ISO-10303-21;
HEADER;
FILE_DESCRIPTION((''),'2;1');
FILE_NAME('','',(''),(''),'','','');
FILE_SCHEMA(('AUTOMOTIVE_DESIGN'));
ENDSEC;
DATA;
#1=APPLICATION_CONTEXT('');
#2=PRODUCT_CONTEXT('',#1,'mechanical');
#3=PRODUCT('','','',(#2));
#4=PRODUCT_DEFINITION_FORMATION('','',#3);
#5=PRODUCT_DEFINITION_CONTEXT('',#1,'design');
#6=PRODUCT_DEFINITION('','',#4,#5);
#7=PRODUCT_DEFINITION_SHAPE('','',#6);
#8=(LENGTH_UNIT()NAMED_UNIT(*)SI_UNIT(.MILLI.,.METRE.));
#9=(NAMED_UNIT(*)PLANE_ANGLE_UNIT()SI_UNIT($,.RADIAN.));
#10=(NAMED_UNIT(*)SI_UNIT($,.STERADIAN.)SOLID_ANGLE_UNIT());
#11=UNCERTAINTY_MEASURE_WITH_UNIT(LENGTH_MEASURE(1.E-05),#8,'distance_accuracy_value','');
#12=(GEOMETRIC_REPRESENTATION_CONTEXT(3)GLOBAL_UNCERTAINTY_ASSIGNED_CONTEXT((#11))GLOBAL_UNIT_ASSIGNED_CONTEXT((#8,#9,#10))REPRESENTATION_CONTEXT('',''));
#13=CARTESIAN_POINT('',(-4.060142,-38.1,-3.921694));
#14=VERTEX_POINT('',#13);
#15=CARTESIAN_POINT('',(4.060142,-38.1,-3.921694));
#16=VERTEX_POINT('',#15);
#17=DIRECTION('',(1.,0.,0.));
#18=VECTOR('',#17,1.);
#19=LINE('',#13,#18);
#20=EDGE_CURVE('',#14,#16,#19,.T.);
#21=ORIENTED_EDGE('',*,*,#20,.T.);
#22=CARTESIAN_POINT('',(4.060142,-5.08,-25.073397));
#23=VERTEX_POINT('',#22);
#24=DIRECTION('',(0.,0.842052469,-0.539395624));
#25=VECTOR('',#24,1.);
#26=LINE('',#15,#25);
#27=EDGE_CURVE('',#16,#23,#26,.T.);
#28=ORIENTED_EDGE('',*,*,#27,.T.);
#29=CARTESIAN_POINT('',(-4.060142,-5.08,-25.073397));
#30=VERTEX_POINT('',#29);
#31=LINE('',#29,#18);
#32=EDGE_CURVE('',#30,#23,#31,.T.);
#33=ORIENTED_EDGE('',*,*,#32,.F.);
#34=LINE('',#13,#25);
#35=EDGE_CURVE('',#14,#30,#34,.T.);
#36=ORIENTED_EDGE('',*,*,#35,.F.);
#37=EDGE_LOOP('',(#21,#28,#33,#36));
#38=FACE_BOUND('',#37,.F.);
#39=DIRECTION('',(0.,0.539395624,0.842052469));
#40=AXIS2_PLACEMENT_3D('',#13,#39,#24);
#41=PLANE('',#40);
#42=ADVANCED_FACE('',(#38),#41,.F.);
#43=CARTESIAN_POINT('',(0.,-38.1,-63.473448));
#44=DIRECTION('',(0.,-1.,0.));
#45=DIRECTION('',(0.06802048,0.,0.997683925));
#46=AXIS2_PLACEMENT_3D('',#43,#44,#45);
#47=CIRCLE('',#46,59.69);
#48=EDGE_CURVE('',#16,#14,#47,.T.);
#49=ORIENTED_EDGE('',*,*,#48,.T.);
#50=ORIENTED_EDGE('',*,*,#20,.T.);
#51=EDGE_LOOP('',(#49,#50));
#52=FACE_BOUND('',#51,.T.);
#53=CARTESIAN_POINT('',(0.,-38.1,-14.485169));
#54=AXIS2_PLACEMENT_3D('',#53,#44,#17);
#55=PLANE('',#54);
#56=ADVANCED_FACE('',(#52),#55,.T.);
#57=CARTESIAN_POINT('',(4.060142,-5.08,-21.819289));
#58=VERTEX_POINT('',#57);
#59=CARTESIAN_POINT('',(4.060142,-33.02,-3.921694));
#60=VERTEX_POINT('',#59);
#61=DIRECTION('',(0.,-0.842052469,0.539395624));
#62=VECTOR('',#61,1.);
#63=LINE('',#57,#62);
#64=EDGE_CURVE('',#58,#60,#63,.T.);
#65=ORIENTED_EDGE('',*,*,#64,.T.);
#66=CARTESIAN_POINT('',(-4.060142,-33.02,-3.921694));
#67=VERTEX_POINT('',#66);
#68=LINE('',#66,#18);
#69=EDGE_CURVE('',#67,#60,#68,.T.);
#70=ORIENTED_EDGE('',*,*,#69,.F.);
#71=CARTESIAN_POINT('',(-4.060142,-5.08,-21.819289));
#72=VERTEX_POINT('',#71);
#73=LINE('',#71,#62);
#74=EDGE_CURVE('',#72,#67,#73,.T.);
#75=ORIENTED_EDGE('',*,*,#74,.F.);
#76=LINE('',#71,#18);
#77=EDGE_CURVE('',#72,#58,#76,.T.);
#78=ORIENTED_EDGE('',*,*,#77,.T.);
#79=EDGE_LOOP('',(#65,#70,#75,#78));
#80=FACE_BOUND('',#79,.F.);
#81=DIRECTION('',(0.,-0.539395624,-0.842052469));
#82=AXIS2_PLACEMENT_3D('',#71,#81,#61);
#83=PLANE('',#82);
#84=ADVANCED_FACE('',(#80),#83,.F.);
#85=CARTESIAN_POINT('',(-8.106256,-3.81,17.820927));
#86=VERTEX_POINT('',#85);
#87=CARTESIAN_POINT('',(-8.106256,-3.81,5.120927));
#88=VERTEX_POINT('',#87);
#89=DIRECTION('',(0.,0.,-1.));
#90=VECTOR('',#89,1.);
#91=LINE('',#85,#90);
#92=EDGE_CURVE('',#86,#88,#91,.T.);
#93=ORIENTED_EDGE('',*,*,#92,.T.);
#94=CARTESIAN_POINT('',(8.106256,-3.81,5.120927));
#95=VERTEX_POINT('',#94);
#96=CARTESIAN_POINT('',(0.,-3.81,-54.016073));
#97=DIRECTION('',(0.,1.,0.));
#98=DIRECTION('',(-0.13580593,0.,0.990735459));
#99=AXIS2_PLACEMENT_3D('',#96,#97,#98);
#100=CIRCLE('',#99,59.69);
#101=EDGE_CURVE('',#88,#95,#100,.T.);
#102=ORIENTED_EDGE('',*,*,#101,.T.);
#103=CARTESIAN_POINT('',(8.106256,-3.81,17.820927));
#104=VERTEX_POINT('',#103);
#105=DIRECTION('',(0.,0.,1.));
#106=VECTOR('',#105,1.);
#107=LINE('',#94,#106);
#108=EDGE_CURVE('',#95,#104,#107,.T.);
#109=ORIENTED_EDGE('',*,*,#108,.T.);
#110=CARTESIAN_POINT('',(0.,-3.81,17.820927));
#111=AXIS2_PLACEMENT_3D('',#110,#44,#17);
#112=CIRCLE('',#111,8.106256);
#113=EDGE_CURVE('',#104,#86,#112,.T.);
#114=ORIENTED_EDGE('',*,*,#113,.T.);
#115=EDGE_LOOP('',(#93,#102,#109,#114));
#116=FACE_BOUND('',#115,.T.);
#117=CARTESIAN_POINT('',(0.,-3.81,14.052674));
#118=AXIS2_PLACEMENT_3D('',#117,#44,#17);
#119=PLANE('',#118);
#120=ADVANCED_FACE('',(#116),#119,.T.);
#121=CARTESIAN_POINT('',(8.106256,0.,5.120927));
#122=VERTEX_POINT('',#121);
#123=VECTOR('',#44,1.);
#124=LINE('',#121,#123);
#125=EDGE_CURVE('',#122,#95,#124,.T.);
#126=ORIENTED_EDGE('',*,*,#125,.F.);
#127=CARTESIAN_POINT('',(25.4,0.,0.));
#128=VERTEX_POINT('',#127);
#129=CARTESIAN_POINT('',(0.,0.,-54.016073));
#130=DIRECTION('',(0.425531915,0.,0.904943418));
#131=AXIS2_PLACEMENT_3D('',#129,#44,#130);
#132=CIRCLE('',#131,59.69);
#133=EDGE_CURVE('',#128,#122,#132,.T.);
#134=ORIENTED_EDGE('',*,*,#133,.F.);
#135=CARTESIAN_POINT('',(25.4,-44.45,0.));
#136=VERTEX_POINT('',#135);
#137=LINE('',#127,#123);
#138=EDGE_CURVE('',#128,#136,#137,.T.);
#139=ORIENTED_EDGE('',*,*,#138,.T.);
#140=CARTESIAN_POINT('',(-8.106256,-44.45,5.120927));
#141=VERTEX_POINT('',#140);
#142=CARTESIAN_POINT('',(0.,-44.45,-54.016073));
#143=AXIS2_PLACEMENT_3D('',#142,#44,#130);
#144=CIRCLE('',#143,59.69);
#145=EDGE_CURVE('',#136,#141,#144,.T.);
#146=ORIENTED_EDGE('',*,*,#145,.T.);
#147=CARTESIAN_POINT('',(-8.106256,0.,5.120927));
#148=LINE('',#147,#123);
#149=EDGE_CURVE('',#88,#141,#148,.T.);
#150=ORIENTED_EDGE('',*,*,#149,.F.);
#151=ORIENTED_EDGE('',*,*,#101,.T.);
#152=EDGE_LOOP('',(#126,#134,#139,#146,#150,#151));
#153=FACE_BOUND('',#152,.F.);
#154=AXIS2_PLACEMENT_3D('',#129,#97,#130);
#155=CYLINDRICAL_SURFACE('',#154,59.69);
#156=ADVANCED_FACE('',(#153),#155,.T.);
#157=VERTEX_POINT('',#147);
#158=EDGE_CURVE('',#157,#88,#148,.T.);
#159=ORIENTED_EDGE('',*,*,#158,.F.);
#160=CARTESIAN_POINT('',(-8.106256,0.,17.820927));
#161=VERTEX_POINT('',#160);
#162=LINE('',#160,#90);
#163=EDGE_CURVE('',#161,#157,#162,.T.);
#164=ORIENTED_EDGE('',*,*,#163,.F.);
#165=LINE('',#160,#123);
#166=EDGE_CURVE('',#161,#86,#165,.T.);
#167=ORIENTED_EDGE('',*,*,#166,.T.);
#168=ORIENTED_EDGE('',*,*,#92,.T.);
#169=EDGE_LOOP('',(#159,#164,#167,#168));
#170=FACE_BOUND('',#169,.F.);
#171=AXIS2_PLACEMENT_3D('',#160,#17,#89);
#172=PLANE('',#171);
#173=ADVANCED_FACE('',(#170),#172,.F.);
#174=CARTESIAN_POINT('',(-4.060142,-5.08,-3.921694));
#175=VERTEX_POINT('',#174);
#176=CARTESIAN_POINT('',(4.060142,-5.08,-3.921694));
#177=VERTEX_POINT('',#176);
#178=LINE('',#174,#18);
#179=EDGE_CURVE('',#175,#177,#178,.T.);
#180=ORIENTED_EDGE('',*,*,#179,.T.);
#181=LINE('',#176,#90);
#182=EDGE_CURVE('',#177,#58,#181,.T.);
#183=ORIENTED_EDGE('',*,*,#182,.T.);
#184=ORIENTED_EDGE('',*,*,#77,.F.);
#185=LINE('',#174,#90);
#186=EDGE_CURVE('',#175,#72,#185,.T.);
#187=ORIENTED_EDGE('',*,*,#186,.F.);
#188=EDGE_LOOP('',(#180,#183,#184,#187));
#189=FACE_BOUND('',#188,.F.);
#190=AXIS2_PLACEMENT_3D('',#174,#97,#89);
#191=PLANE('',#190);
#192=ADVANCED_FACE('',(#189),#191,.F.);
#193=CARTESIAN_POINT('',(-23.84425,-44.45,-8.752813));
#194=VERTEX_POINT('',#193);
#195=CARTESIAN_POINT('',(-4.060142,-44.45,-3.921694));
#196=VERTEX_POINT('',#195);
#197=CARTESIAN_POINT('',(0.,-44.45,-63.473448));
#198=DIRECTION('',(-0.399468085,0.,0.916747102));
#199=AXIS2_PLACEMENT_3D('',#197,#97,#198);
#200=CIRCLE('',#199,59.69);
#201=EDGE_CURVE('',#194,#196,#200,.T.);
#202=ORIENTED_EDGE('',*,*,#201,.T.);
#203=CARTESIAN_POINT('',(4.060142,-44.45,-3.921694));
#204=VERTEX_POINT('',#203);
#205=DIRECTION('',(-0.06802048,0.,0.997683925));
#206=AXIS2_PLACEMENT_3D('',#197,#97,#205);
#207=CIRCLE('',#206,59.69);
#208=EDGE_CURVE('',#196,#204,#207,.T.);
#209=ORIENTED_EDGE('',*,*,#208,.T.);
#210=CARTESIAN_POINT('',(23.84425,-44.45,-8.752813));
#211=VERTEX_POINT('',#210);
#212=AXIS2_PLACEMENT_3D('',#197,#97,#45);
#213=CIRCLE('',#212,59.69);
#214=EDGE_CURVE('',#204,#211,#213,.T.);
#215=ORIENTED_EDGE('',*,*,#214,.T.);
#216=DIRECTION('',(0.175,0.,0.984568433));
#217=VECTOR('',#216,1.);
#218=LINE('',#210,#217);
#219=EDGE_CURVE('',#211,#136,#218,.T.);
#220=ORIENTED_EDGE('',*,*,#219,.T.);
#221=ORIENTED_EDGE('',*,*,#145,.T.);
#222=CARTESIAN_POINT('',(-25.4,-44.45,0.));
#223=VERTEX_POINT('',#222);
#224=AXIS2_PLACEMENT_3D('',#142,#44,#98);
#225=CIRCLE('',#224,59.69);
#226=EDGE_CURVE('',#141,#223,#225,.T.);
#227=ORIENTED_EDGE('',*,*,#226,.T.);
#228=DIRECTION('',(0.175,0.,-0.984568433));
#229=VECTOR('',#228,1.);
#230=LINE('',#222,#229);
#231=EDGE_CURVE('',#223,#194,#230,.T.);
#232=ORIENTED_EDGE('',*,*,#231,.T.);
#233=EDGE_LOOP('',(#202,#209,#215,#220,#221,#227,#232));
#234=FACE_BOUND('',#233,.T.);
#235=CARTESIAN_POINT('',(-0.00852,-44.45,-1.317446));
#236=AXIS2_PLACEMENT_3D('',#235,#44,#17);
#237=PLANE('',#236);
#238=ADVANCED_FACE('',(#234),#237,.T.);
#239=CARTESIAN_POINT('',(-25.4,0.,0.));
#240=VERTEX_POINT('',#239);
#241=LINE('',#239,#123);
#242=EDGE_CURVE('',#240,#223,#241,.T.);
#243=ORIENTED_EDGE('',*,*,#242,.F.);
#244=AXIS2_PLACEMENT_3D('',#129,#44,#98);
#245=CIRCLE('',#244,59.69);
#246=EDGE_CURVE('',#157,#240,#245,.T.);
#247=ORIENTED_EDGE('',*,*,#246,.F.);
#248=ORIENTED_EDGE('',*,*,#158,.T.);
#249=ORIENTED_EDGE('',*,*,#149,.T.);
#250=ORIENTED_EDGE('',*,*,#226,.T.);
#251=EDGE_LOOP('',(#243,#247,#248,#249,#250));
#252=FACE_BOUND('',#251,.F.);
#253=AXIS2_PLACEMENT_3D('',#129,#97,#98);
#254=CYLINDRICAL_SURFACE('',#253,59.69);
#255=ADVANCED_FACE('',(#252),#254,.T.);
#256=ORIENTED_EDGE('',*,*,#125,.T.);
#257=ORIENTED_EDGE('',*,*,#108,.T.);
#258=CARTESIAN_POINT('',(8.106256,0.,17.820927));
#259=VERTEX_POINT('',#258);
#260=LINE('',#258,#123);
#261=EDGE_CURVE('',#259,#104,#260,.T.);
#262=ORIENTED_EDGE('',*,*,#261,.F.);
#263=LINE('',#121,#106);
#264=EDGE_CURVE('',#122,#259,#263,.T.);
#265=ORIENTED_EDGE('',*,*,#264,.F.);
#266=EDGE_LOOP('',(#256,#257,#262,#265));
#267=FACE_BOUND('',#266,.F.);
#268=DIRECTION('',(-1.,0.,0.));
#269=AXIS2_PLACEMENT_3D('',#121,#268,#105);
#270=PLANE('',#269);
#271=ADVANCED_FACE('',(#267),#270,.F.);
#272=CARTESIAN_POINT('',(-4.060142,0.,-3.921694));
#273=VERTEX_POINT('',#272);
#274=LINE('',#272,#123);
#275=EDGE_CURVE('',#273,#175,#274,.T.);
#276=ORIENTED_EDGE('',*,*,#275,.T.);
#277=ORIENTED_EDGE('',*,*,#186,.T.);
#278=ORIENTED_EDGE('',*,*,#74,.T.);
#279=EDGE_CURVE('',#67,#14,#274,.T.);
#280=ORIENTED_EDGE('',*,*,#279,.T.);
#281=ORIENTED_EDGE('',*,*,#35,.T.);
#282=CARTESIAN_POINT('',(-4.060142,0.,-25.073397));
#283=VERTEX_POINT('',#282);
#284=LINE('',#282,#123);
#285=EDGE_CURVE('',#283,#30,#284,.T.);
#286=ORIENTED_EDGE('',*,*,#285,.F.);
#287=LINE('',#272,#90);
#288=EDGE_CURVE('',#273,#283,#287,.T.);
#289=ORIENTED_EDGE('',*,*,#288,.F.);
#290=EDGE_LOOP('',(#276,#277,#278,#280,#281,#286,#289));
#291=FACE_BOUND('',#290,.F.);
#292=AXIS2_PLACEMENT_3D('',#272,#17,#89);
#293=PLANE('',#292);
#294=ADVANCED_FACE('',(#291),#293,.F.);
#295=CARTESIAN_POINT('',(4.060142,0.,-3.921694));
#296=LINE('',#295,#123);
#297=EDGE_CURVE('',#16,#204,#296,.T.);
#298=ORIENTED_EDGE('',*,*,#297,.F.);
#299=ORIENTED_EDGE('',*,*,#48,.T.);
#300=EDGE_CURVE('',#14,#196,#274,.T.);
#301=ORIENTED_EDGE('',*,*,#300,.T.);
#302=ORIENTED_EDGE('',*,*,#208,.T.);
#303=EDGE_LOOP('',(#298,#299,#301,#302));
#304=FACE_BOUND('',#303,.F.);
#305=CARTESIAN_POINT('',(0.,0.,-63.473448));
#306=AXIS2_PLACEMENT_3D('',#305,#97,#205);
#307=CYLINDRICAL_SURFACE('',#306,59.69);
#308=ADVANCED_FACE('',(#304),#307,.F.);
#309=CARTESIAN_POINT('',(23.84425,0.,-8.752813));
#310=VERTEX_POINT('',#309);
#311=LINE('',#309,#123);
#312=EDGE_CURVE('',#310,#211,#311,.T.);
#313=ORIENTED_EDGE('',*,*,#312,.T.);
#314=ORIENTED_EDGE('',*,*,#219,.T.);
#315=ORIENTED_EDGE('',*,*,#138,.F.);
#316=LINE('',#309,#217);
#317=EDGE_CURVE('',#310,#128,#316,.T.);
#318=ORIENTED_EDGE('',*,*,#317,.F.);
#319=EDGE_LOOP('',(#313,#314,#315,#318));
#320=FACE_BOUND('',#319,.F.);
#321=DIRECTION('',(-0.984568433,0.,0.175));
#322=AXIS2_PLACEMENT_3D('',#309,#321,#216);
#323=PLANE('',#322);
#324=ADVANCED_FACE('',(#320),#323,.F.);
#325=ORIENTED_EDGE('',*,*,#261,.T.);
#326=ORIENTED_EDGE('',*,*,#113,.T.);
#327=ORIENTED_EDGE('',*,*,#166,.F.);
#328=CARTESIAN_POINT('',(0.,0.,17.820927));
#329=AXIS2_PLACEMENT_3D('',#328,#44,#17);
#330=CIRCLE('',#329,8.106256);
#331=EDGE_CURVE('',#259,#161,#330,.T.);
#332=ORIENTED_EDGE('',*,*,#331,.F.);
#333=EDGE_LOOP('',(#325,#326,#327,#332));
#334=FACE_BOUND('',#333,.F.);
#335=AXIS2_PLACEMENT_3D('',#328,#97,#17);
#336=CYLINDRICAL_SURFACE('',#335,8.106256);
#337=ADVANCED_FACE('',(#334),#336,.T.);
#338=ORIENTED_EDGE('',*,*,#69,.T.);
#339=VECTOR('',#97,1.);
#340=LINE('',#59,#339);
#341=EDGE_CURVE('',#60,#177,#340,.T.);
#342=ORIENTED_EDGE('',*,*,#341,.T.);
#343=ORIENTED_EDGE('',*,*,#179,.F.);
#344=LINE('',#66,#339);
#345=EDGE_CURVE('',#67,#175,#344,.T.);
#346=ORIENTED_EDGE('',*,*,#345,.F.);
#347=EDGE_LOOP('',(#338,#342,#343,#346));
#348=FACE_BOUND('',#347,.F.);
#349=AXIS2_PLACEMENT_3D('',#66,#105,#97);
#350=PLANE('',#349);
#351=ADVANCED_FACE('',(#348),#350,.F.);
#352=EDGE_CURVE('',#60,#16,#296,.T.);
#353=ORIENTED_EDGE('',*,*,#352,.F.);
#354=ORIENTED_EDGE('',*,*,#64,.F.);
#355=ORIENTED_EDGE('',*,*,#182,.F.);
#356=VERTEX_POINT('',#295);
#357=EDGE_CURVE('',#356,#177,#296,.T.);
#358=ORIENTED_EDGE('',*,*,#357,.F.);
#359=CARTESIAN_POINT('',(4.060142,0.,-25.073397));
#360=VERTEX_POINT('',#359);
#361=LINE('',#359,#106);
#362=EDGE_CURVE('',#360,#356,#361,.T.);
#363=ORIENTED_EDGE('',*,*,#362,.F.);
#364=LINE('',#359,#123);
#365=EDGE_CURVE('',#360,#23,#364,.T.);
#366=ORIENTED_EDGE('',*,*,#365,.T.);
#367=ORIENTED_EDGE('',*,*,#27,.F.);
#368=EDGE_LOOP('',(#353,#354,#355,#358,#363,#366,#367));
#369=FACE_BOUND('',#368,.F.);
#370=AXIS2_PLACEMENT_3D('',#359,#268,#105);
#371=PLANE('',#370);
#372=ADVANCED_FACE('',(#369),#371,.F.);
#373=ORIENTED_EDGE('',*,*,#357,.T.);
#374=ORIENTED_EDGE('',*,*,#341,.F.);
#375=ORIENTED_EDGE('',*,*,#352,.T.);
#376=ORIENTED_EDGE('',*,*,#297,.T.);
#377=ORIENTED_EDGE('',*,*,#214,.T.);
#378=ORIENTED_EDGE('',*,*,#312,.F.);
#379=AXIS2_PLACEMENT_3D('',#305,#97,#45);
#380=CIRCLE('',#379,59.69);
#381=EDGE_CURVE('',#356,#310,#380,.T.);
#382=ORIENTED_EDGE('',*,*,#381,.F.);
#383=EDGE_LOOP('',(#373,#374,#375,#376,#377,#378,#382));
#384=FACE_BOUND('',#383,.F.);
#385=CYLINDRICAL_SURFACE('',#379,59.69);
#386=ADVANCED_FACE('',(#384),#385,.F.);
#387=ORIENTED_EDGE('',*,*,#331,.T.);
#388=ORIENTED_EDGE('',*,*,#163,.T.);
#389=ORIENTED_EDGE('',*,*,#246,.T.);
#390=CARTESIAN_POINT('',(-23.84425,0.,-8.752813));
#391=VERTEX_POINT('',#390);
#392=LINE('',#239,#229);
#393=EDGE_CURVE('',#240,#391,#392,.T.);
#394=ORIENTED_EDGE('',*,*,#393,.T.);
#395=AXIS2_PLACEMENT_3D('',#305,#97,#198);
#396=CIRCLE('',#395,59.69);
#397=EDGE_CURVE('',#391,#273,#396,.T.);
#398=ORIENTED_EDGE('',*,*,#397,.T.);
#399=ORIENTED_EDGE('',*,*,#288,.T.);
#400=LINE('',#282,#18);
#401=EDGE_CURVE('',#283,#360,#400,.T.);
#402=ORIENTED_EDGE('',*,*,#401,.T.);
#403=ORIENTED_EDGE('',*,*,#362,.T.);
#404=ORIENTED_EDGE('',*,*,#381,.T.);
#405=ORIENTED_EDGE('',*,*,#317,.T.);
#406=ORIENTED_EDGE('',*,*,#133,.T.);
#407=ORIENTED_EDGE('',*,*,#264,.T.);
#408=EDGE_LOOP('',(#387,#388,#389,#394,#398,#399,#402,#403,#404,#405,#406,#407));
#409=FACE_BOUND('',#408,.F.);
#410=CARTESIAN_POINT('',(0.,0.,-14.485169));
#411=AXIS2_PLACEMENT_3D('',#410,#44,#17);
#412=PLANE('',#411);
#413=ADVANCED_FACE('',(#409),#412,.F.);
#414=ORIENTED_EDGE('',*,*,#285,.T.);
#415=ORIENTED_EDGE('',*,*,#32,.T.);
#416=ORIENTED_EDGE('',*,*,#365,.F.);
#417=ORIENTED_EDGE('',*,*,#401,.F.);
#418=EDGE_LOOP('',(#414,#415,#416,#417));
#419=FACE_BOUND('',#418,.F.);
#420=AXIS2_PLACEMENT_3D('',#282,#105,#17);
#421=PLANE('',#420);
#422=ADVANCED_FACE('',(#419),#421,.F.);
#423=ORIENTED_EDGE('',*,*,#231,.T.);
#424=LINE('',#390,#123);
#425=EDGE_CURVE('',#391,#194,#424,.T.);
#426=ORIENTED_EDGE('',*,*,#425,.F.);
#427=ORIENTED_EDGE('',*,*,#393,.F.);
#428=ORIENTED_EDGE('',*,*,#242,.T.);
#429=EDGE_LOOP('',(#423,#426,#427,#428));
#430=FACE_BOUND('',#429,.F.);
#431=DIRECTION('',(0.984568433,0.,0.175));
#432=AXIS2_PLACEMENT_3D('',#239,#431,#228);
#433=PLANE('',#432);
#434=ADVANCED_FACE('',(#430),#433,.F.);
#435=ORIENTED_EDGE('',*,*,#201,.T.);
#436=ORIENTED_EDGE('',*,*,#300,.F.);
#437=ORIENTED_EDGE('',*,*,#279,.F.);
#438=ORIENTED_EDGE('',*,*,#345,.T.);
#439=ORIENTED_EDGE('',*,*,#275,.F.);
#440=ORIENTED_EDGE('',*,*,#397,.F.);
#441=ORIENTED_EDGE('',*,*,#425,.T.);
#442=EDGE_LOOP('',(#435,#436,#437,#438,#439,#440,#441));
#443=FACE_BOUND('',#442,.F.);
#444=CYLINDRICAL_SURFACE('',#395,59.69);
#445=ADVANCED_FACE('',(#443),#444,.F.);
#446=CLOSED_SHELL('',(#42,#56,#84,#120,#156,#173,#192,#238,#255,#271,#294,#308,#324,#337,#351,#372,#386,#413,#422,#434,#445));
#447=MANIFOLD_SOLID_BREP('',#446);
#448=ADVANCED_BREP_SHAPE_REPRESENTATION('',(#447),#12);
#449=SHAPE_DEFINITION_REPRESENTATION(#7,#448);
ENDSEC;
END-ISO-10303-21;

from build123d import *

# Parameters (mm, degrees)
F1_DEPTH = 44.45
F2_DEPTH = 3.81
F3_DEPTH = 38.1
F5_DEPTH = 8.1202849069


with BuildPart() as f1:
    # F0 (on Front) → F1 (new body)
    with BuildSketch(Plane.XZ):
        with BuildLine():
            Line((23.84425, -8.7528133727), (25.4, 0))
            ThreePointArc((25.4, 0), (16.9476626833, 3.2174213406), (8.1062559696, 5.1209269282))
            ThreePointArc((8.1062559696, 5.1209269282), (0, 5.6739273919), (-8.1062559696, 5.1209269282))
            ThreePointArc((-8.1062559696, 5.1209269282), (-16.9476626833, 3.2174213406), (-25.4, 0))
            Line((-25.4, 0), (-23.84425, -8.7528133727))
            ThreePointArc((-23.84425, -8.7528133727), (-14.1597566071, -5.4872651146), (-4.0601424534, -3.9216944037))
            ThreePointArc((-4.0601424534, -3.9216944037), (0, -3.7834478897), (4.0601424534, -3.9216944037))
            ThreePointArc((4.0601424534, -3.9216944037), (14.1597566071, -5.4872651146), (23.84425, -8.7528133727))
        make_face()
    extrude(amount=F1_DEPTH)

    # F0 (on Front) → F2 (join)
    with BuildSketch(Plane.XZ):
        with BuildLine():
            ThreePointArc((-8.1062559696, 5.1209269282), (0, 5.6739273919), (8.1062559696, 5.1209269282))
            Line((8.1062559696, 5.1209269282), (8.1062559696, 17.8209269282))
            ThreePointArc((8.1062559696, 17.8209269282), (0, 25.9271828978), (-8.1062559696, 17.8209269282))
            Line((-8.1062559696, 17.8209269282), (-8.1062559696, 5.1209269282))
        make_face()
    extrude(amount=F2_DEPTH)

    # F0 (on Front) → F3 (join)
    with BuildSketch(Plane.XZ):
        with BuildLine():
            Line((4.0601424534, -25.0733971224), (4.0601424534, -3.9216944037))
            ThreePointArc((4.0601424534, -3.9216944037), (0, -3.7834478897), (-4.0601424534, -3.9216944037))
            Line((-4.0601424534, -3.9216944037), (-4.0601424534, -25.0733971224))
            Line((-4.0601424534, -25.0733971224), (0, -25.0733971224))
            Line((0, -25.0733971224), (4.0601424534, -25.0733971224))
        make_face()
    extrude(amount=F3_DEPTH)

    # F4 (on face) → F5 (cut, through all)
    with BuildSketch(Plane(origin=(-4.0601424534, 0, 0), x_dir=(0, -1, 0), z_dir=(-1, 0, 0))):
        Polygon((33.02, -3.9216944037), (5.08, -3.9216944037), (5.08, -21.8192890118), align=None)
        Polygon((38.1, -3.9216944037), (5.08, -25.0733971224), (38.1, -25.0733971224), align=None)
    extrude(amount=-F5_DEPTH, mode=Mode.SUBTRACT)


solid = f1.part
